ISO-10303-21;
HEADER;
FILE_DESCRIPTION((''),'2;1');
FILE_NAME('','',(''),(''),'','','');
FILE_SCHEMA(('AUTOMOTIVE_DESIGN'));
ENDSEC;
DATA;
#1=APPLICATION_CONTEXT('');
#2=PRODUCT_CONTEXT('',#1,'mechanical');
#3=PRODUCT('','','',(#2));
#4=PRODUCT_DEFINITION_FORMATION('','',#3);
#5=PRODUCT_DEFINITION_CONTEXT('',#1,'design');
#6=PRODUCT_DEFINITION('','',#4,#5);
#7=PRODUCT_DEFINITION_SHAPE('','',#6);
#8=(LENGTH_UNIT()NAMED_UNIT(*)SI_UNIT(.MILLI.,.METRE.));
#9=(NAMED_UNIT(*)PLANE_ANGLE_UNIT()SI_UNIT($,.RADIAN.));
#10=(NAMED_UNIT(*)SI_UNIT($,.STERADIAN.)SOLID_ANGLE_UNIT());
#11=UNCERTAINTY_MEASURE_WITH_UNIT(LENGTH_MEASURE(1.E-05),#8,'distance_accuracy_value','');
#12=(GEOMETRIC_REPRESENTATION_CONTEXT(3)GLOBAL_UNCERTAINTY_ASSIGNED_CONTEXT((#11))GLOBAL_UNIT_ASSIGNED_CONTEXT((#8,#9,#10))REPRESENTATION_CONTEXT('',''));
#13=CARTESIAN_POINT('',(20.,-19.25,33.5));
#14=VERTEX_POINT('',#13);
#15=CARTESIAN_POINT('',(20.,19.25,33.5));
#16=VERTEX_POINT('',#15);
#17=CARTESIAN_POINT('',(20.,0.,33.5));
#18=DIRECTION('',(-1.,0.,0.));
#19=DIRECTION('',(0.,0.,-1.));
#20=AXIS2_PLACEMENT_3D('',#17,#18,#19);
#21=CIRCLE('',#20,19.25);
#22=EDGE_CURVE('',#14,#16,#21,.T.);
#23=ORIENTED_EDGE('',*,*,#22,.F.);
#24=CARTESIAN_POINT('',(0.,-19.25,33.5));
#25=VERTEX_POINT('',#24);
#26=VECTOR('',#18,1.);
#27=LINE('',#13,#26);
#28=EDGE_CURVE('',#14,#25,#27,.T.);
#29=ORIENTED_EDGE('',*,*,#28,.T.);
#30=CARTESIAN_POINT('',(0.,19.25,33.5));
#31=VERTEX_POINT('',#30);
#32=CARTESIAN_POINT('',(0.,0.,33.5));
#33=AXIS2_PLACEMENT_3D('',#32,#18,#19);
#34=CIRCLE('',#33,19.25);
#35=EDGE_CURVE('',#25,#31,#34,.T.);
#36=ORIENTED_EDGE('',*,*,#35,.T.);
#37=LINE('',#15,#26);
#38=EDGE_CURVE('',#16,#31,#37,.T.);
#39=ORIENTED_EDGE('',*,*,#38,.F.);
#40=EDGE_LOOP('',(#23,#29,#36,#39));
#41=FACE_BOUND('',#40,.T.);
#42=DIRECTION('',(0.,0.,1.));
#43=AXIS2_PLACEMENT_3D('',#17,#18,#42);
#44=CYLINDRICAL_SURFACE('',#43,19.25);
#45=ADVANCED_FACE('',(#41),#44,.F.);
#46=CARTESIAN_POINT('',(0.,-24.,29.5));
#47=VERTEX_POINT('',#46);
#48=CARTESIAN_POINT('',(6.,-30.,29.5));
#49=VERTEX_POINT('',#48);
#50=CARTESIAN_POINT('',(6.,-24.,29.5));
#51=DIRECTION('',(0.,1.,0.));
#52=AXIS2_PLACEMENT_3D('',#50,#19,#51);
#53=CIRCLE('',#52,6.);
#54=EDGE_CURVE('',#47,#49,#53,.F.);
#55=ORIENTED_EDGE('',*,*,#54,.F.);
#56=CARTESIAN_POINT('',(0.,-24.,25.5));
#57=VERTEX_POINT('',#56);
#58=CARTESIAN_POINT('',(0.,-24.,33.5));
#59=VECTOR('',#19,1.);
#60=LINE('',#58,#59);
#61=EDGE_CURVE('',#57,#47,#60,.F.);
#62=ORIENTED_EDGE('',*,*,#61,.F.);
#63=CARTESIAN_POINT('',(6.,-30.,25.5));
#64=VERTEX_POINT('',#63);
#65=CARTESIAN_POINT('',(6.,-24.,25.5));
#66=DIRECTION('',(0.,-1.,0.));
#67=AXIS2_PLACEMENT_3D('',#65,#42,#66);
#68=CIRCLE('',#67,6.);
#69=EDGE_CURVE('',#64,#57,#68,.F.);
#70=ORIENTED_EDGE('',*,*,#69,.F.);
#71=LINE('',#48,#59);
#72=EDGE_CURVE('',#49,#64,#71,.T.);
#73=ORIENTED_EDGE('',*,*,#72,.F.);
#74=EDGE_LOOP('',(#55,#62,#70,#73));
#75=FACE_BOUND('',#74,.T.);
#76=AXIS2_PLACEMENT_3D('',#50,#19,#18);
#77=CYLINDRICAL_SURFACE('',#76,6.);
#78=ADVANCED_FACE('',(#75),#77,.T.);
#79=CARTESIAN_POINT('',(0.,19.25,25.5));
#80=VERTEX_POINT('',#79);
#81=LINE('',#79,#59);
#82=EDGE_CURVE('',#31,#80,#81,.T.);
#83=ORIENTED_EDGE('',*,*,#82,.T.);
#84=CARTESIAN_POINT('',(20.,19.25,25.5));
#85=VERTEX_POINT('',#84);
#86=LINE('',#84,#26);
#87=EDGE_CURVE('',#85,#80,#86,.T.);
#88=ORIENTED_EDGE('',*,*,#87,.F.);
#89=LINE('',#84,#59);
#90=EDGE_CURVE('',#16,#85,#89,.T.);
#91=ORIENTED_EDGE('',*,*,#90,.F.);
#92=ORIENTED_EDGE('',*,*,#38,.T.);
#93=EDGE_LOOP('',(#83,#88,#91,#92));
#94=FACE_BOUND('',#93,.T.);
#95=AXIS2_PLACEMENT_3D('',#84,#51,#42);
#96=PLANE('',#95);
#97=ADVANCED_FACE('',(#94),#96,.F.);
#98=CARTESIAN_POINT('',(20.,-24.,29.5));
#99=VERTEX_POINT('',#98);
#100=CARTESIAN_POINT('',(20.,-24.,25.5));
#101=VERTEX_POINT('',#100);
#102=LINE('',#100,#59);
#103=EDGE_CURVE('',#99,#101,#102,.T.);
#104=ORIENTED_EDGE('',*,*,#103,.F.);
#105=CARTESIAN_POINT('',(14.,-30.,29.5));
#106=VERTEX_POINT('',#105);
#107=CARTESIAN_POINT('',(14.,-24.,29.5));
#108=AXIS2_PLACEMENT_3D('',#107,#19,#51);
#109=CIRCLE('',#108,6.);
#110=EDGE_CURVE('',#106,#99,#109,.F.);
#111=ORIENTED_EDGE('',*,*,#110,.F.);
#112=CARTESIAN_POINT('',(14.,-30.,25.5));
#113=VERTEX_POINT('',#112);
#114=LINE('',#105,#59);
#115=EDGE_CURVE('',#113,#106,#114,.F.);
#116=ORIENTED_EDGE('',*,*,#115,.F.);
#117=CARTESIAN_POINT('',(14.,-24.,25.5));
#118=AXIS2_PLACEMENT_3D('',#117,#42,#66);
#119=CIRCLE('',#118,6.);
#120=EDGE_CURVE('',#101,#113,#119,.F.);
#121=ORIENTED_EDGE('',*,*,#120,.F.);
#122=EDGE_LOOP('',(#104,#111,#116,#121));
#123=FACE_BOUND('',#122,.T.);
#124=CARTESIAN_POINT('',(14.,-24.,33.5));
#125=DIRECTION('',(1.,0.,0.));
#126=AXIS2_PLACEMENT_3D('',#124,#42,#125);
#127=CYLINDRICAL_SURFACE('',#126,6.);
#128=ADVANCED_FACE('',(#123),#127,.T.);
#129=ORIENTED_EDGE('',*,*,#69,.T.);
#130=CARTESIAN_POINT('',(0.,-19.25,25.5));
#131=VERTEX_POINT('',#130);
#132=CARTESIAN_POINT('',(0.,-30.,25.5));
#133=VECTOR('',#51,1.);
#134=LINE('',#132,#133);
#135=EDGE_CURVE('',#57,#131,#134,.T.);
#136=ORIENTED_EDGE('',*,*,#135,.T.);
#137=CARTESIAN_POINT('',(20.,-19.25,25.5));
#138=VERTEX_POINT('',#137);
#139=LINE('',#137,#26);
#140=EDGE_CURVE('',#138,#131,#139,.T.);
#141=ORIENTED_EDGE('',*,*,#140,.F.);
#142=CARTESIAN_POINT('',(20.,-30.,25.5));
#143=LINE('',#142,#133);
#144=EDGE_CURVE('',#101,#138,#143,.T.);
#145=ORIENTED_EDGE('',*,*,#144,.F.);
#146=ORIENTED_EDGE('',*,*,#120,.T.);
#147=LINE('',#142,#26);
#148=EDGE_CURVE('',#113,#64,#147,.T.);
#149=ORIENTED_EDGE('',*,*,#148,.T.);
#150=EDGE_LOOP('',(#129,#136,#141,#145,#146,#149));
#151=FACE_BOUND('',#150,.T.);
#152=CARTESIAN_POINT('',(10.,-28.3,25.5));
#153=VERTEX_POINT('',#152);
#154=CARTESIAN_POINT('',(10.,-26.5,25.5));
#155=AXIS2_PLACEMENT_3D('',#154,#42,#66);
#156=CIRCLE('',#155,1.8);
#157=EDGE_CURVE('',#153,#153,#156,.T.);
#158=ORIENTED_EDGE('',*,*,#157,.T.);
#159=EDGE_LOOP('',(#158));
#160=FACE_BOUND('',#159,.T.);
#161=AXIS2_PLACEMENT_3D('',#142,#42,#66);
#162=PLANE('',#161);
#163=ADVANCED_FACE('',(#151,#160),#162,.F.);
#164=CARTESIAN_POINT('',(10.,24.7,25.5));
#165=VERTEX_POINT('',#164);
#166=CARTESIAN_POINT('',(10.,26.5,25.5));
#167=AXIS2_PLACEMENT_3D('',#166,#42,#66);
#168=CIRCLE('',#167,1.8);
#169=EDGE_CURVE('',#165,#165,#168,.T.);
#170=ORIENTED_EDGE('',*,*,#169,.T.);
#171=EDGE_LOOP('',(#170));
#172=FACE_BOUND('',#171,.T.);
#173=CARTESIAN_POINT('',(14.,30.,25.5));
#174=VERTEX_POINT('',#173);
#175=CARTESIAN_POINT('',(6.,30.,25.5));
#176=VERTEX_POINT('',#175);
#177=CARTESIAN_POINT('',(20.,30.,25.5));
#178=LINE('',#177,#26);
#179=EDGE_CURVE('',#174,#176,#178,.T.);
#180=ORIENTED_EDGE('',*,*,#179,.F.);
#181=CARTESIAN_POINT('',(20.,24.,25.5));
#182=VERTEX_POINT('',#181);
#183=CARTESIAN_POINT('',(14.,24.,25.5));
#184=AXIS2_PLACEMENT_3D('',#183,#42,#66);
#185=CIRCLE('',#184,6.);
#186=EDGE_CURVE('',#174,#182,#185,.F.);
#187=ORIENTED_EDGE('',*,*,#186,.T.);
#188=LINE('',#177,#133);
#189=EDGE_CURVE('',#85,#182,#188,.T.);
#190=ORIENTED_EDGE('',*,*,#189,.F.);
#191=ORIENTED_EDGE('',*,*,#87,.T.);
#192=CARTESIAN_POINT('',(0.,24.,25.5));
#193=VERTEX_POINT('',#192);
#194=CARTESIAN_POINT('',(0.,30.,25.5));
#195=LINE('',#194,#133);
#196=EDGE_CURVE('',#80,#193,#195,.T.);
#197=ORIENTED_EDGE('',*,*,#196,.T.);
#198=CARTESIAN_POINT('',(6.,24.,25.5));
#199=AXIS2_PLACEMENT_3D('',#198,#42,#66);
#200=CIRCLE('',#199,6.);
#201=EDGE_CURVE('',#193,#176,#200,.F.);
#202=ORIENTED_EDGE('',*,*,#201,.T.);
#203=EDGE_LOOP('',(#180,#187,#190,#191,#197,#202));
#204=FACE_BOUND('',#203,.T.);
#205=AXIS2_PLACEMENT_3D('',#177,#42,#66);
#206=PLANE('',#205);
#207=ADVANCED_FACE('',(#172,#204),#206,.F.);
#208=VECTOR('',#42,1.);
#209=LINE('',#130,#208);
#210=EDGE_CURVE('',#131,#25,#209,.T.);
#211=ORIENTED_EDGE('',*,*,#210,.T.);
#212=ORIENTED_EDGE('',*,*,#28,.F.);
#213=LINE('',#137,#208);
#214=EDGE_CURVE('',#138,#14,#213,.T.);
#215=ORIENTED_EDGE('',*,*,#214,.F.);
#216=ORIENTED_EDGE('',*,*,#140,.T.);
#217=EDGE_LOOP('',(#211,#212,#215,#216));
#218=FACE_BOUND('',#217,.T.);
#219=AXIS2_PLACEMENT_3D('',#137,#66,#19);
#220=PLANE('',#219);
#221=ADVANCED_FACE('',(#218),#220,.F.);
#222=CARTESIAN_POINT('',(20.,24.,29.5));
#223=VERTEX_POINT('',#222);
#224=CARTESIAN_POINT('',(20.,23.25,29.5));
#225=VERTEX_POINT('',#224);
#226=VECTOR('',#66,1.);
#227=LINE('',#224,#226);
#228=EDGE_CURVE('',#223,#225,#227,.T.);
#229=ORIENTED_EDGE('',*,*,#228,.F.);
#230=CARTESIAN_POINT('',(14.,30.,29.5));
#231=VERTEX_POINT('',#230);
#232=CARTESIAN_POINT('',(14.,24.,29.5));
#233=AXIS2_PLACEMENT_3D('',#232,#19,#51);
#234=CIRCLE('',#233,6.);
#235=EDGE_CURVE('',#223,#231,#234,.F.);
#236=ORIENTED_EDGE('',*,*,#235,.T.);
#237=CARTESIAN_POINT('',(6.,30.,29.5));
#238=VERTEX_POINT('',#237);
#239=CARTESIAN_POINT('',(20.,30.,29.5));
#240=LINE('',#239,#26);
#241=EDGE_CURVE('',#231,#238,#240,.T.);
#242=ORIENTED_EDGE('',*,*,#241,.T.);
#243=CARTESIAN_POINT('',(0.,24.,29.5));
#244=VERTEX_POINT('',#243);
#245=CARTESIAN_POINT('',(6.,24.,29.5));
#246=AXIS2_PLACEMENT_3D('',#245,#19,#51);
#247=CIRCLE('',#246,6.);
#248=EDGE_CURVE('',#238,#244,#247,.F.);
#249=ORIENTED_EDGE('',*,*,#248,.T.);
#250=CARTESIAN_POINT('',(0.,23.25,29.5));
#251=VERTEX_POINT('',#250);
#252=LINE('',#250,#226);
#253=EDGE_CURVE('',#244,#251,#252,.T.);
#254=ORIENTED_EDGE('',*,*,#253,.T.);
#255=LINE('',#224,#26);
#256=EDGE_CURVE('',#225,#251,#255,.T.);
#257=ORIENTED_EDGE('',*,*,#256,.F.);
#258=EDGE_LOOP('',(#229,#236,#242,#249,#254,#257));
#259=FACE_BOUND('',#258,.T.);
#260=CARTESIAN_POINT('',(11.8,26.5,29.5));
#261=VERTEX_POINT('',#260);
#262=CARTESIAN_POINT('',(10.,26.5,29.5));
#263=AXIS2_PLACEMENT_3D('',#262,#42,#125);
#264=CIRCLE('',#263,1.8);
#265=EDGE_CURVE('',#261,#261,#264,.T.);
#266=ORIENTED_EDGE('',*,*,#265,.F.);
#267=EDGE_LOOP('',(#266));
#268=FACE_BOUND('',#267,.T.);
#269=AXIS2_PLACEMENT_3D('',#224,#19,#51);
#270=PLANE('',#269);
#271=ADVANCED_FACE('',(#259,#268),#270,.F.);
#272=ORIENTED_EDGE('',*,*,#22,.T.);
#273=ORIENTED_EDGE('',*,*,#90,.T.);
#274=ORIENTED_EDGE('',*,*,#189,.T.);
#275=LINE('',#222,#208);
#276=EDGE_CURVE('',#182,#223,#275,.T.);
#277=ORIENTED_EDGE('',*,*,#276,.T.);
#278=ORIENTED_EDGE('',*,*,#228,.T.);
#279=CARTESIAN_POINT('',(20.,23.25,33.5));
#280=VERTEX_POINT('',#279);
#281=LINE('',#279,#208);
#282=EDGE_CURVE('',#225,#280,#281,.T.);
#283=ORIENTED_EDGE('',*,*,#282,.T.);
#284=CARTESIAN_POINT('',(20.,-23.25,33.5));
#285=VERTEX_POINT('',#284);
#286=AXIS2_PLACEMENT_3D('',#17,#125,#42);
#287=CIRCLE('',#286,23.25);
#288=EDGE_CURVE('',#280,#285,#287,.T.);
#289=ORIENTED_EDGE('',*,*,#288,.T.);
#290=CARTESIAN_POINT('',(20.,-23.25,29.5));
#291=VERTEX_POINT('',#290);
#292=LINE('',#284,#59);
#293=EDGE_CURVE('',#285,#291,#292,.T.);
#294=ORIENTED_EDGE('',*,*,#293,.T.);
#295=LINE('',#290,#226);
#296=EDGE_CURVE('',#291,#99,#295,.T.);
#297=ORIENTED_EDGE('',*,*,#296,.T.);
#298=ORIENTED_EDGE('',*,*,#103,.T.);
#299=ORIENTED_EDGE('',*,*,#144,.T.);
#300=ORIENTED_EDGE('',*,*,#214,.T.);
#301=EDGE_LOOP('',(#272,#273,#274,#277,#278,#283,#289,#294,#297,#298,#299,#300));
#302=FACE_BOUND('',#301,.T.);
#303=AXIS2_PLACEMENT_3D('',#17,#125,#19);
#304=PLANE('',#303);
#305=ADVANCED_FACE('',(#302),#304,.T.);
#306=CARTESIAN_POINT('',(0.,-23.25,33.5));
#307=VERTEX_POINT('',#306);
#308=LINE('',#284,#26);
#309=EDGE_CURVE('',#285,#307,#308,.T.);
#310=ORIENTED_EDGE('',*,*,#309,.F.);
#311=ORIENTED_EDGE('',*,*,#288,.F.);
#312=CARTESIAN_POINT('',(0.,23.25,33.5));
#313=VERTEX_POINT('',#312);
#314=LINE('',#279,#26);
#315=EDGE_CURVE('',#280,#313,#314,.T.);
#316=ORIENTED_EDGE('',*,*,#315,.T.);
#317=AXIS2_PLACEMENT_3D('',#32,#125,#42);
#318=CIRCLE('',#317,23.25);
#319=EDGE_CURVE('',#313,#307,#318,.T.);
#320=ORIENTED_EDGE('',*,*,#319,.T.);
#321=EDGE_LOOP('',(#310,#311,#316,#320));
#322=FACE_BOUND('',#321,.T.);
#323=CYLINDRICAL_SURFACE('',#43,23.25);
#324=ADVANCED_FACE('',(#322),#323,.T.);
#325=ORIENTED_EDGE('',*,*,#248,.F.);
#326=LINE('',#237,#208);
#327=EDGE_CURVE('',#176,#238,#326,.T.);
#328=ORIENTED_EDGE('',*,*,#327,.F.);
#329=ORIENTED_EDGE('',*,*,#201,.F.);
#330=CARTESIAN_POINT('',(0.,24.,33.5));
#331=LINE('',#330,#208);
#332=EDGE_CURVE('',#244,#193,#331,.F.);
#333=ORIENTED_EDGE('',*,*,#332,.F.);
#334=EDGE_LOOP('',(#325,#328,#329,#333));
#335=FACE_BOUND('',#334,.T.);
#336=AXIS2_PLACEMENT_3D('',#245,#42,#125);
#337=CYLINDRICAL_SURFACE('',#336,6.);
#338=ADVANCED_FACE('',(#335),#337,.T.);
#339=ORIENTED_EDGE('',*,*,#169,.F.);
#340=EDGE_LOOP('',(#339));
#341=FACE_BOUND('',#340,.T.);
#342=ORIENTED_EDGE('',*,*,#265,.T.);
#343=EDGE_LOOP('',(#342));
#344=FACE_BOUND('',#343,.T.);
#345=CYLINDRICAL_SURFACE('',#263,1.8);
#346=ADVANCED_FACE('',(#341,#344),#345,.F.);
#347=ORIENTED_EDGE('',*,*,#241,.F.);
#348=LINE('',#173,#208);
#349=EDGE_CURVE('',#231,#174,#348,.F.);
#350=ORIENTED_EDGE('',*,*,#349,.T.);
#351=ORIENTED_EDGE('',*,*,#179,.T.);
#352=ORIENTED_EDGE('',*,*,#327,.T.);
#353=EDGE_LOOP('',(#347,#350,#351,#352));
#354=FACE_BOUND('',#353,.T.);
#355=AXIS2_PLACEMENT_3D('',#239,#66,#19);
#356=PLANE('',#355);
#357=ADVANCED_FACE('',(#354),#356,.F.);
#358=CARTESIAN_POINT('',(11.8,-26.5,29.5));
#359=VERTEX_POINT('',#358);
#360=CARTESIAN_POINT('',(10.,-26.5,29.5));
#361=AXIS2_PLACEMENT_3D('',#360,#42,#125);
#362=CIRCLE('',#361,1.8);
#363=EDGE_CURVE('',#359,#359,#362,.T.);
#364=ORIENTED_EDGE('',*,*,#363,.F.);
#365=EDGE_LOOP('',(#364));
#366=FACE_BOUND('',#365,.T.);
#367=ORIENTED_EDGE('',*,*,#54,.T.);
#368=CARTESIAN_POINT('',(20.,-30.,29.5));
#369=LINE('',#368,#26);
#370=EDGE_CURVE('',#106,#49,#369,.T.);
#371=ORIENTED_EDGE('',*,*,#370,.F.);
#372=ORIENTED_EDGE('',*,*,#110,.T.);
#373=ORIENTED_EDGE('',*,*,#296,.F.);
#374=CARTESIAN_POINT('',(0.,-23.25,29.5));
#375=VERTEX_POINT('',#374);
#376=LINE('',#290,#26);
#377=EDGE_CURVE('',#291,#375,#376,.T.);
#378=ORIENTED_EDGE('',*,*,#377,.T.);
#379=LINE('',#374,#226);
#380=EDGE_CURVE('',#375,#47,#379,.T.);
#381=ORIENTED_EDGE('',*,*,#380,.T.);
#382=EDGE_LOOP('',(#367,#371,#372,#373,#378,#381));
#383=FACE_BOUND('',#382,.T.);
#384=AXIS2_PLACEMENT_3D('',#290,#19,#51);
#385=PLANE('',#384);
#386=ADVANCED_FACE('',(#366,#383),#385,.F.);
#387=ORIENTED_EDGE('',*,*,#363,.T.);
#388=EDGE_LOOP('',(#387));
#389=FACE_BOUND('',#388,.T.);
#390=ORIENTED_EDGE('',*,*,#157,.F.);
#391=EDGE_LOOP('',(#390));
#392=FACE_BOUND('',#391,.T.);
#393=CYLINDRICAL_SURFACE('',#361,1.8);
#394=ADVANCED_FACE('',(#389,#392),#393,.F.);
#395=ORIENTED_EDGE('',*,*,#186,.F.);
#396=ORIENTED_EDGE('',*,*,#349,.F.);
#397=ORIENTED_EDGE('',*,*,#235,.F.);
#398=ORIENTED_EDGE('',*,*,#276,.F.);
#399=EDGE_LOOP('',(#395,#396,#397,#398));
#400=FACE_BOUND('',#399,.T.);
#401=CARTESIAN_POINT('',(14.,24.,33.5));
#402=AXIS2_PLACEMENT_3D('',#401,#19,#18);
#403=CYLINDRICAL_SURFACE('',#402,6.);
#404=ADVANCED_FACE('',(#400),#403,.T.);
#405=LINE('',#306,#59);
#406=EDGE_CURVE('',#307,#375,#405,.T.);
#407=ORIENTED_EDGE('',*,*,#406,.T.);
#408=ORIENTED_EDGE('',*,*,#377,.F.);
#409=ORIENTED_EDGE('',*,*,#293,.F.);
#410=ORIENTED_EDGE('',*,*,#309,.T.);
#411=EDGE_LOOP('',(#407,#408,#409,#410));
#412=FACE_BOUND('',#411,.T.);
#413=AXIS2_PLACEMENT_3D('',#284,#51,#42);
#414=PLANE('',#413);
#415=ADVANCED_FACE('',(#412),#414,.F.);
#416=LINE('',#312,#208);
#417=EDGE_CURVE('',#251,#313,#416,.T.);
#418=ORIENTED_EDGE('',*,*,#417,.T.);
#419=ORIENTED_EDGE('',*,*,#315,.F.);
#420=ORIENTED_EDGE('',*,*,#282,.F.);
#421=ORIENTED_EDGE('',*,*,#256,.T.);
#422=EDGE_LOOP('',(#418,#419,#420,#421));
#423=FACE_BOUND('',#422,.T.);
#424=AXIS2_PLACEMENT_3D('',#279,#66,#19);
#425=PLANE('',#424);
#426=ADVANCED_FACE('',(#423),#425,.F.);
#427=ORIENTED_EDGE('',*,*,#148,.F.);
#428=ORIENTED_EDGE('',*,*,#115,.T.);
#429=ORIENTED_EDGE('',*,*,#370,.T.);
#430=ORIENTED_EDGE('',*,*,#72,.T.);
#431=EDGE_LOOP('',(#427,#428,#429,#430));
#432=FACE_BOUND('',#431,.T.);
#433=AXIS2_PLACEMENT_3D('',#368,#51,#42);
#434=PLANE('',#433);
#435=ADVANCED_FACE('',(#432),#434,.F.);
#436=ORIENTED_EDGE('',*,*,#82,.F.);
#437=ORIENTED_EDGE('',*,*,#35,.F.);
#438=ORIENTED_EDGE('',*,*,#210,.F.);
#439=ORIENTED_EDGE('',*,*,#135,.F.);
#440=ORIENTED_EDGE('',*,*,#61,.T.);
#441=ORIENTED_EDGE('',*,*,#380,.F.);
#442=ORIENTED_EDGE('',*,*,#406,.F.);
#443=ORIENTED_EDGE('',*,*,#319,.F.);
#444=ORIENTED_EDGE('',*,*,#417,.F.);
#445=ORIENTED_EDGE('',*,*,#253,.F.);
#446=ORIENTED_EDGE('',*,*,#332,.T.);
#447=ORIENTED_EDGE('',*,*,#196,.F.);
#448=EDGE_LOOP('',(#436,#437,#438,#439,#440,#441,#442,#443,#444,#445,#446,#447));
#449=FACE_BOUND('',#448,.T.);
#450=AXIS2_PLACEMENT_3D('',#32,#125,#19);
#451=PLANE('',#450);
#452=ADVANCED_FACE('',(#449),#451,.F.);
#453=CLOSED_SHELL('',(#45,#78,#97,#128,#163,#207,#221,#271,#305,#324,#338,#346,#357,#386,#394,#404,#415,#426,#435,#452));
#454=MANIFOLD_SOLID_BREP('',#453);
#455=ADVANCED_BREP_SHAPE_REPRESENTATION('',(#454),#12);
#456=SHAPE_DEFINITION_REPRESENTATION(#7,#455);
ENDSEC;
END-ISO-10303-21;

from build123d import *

# Parameters (mm, degrees)
MOTOR_CLAMP_EXTRUDE_DEPTH = 20
CLAMP_CLEARANCE_HOLE_D    = 3.6
CLAMP_CORNER_FILLETS_R    = 6


with BuildPart() as part:
    # Hold Down Bracket Sketch → Motor Clamp Extrude (new body)
    with BuildSketch(Plane(origin=(0, 0, 0), x_dir=(0, 0, -1), z_dir=(1, 0, 0))):
        with BuildLine():
            Line((-33.5, -23.25), (-29.5, -23.25))
            Line((-29.5, -23.25), (-29.5, -30))
            Line((-29.5, -30), (-25.5, -30))
            Line((-25.5, -30), (-25.5, -19.25))
            Line((-25.5, -19.25), (-33.5, -19.25))
            ThreePointArc((-33.5, -19.25), (-52.75, 0), (-33.5, 19.25))
            Line((-33.5, 19.25), (-25.5, 19.25))
            Line((-25.5, 19.25), (-25.5, 30))
            Line((-25.5, 30), (-29.5, 30))
            Line((-29.5, 30), (-29.5, 23.25))
            Line((-29.5, 23.25), (-33.5, 23.25))
            ThreePointArc((-33.5, 23.25), (-56.75, 0), (-33.5, -23.25))
        make_face()
    extrude(amount=MOTOR_CLAMP_EXTRUDE_DEPTH)

    # Clamp Clearance Hole (through all)
    with Locations(Plane.XY.offset(29.5)):
        with Locations((10, -26.5)):
            clamp_clearance_hole = Hole(CLAMP_CLEARANCE_HOLE_D / 2)

    # Clamp Clearance Hole Mirror: Clamp Clearance Hole across plane
    add(clamp_clearance_hole.mirror(Plane.ZX), mode=Mode.SUBTRACT)

    # Clamp Corner Fillets
    clamp_corner_fillets_edges = [part.edges().sort_by_distance(p)[0] for p in [
        (0, 30, 27.5),
        (0, -30, 27.5),
        (20, -30, 27.5),
        (20, 30, 27.5),
    ]]
    fillet(clamp_corner_fillets_edges, radius=CLAMP_CORNER_FILLETS_R)


solid = part.part
